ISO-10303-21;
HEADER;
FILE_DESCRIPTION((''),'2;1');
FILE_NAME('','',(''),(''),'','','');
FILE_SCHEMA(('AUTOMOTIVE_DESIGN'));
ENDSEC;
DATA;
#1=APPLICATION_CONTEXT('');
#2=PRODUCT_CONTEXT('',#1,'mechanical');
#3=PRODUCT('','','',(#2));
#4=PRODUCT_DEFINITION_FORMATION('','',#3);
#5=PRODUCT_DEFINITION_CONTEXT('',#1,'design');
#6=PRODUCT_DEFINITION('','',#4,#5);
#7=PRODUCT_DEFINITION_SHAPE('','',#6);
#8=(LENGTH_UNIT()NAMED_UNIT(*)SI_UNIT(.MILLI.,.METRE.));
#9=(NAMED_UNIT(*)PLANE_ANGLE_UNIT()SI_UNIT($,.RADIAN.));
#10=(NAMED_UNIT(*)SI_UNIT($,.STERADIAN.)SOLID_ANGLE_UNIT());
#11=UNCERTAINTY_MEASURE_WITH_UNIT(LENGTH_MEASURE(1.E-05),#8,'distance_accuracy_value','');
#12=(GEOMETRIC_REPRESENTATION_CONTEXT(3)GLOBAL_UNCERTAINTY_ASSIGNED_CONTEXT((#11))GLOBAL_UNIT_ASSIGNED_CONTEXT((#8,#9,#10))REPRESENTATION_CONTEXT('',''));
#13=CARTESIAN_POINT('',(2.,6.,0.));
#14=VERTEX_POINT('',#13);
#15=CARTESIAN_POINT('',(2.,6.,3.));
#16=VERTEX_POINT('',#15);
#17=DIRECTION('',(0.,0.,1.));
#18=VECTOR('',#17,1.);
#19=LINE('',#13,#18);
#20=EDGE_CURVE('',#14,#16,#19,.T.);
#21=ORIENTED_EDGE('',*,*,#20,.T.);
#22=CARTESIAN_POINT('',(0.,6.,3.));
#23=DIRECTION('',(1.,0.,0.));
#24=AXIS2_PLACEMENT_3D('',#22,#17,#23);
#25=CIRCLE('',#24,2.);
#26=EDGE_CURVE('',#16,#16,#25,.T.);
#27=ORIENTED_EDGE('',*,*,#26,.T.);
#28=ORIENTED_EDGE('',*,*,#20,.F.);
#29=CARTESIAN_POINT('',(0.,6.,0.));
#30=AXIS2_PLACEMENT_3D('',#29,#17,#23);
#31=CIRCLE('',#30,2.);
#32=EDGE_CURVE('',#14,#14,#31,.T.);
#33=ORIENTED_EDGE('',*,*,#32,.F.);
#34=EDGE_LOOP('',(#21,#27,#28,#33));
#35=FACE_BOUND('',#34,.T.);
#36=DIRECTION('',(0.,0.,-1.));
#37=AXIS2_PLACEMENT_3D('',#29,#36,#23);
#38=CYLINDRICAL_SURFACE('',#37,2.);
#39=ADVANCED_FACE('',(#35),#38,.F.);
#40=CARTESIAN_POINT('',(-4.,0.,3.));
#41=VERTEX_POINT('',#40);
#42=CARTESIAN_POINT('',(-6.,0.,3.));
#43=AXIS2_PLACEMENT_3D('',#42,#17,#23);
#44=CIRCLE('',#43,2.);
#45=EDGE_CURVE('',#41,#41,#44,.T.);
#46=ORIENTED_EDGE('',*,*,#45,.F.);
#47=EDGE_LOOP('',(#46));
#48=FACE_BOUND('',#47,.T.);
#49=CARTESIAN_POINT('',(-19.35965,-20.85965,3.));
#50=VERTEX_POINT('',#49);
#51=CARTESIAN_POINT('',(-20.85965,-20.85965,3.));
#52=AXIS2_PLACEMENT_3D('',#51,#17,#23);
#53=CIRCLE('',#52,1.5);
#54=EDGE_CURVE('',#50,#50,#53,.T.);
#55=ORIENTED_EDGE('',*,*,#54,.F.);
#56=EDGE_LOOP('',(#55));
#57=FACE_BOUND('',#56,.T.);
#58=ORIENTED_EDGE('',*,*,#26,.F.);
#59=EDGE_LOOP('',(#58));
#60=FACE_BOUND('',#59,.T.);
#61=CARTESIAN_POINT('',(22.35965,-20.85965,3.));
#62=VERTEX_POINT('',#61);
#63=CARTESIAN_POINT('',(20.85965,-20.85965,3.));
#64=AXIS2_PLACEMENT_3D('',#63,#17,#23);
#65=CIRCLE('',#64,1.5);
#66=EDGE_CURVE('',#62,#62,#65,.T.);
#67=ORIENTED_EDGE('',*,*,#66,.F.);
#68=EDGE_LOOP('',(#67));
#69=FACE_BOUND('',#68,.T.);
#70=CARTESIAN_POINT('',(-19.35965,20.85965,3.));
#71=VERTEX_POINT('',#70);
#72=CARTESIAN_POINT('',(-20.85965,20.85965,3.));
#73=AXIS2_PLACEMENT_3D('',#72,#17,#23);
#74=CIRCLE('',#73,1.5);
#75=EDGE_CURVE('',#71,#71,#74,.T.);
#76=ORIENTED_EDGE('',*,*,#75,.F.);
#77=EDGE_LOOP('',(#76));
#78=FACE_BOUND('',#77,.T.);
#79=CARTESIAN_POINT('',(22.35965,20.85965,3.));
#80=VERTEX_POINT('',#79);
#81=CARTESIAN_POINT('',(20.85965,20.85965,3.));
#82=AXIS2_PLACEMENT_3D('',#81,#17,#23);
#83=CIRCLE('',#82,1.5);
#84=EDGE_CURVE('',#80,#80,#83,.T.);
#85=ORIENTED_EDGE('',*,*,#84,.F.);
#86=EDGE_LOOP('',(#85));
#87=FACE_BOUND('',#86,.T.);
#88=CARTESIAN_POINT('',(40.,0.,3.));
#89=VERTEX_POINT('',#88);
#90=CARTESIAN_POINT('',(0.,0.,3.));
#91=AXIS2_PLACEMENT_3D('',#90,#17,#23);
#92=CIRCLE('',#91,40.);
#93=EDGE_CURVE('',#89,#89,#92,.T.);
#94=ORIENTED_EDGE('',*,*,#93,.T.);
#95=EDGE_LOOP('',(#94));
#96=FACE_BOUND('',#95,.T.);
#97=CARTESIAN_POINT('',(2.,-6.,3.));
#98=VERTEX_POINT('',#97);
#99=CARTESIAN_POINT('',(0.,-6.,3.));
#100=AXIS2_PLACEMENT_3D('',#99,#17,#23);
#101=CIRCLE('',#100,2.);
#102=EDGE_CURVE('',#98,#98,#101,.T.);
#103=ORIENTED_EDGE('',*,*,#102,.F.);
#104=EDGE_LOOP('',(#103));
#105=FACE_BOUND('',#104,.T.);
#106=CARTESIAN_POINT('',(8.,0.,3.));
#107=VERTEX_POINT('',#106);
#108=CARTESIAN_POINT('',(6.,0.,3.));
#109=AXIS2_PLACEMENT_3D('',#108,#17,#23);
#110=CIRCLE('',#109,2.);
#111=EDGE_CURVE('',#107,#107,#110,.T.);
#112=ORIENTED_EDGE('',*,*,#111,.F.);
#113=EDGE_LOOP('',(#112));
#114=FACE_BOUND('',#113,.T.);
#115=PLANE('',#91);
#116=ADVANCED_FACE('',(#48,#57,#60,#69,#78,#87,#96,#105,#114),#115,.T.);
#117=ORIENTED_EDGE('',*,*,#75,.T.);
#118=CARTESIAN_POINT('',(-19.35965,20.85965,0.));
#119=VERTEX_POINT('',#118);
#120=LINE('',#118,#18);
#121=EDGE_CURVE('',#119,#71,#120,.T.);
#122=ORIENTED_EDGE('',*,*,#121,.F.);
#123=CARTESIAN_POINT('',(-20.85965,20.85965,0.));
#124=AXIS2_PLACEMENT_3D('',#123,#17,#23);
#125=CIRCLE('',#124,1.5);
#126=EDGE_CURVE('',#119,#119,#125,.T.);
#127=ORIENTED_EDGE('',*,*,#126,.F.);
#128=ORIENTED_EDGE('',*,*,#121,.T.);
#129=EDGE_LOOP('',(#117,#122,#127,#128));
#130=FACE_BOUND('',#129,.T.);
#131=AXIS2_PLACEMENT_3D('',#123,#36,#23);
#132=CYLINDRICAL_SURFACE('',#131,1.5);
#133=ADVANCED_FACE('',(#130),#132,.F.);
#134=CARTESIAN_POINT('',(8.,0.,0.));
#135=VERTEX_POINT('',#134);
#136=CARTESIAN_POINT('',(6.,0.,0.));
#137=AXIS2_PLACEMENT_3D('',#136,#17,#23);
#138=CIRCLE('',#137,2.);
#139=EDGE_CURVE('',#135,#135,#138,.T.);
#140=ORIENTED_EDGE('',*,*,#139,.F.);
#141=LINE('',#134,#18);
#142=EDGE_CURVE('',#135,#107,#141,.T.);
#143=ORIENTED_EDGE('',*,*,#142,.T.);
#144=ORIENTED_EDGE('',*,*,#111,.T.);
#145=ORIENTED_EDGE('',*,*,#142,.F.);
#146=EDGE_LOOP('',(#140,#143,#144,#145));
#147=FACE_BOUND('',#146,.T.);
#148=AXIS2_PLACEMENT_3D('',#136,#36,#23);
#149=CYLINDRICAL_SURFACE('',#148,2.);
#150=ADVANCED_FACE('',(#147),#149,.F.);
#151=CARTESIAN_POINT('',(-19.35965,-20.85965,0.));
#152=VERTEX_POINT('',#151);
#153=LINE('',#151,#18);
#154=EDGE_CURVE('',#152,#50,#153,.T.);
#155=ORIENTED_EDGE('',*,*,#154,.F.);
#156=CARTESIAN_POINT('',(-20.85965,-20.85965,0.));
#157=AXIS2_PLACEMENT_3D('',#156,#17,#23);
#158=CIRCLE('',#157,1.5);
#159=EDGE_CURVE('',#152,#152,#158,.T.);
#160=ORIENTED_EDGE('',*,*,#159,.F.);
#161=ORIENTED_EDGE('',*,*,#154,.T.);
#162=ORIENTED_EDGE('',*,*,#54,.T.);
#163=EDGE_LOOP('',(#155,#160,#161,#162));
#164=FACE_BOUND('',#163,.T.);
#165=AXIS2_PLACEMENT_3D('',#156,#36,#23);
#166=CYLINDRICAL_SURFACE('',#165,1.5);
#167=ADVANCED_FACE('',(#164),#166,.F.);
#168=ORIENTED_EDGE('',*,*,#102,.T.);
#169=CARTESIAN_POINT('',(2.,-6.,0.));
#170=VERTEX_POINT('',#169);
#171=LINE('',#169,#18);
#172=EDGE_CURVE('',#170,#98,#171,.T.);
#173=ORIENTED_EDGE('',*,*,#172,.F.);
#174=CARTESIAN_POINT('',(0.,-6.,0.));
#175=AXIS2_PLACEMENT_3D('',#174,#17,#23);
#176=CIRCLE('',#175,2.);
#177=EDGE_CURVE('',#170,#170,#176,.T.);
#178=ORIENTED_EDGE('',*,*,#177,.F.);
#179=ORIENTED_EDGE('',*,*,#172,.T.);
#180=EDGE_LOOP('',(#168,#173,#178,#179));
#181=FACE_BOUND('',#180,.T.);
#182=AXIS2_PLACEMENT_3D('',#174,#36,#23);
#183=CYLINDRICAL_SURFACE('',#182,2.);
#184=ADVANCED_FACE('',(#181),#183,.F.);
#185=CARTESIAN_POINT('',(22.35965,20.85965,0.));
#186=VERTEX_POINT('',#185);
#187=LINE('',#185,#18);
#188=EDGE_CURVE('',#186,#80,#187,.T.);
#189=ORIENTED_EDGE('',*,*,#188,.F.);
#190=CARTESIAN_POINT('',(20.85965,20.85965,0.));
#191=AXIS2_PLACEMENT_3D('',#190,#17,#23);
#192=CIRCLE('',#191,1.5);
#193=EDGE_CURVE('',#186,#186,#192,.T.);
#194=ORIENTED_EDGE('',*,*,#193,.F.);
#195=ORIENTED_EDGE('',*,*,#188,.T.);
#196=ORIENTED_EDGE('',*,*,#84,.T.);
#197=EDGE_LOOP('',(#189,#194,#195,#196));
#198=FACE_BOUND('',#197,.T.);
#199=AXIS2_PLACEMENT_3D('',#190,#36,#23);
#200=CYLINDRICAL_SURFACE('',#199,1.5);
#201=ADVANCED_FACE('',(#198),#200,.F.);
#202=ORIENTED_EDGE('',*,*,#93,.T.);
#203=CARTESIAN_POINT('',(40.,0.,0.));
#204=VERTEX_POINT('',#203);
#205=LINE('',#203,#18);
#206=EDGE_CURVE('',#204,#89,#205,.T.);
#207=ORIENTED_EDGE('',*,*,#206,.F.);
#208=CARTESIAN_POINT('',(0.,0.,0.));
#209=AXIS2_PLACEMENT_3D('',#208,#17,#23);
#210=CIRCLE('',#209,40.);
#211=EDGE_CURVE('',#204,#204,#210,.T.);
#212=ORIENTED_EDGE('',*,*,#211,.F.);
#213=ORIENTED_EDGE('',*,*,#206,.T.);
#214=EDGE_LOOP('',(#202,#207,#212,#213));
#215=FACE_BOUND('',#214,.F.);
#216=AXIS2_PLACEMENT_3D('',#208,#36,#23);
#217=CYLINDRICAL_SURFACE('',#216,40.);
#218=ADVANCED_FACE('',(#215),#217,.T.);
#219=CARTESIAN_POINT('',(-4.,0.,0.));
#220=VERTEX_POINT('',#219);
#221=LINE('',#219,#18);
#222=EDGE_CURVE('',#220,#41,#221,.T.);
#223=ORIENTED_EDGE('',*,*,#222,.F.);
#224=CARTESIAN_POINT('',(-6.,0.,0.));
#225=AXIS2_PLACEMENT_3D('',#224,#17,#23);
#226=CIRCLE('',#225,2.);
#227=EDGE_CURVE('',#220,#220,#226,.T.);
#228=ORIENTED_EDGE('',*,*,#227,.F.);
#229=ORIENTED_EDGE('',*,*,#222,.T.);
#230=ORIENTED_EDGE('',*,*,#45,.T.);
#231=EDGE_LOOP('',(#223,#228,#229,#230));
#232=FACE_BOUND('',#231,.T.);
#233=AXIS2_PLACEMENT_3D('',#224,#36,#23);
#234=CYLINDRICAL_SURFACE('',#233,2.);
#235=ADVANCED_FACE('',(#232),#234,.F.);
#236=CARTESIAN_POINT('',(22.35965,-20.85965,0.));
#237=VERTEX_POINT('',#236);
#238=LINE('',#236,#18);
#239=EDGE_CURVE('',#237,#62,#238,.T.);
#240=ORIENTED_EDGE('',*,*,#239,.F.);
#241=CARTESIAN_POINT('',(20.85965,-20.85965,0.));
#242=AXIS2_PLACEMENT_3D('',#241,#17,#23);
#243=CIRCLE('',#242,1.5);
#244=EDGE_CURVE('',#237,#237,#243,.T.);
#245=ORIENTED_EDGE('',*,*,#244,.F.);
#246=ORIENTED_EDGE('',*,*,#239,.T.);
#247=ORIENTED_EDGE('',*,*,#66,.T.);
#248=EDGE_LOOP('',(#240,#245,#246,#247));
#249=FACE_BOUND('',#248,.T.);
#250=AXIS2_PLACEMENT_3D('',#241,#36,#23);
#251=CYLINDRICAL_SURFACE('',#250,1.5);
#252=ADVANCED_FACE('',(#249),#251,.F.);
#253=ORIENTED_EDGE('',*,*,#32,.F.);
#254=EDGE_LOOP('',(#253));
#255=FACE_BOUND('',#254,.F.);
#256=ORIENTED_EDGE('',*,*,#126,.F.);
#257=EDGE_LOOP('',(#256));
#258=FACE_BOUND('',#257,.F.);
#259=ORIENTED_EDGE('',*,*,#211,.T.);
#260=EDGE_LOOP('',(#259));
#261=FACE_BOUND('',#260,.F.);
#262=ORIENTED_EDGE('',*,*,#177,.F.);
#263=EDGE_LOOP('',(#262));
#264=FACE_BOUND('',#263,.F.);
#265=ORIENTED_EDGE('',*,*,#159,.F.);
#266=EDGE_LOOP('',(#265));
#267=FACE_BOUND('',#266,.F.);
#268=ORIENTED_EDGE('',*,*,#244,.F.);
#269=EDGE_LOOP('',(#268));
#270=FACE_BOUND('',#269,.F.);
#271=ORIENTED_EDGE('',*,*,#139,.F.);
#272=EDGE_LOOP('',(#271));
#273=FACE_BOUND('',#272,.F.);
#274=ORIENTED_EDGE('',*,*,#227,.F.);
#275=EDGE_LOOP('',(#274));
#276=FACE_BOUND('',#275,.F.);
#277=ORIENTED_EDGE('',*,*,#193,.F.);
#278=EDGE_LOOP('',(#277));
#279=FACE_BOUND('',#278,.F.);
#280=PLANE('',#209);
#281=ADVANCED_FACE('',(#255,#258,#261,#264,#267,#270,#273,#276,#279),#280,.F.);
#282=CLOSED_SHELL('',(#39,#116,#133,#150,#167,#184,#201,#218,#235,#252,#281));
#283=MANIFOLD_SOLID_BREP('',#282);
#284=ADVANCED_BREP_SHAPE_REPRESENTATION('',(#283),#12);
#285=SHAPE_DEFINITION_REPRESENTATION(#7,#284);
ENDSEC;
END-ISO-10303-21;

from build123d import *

# Parameters (mm, degrees)
F0_R     = 40
F0_R_2   = 1.5
F0_R_3   = 2
F1_DEPTH = 3


with BuildPart() as f1:
    # F0 (on Top) → F1 (new body)
    with BuildSketch(Plane.XY):
        Circle(F0_R)
        with Locations((-20.85965, -20.85965)):
            Circle(F0_R_2, mode=Mode.SUBTRACT)
        with Locations((20.85965, -20.85965)):
            Circle(F0_R_2, mode=Mode.SUBTRACT)
        with Locations((0, -6)):
            Circle(F0_R_3, mode=Mode.SUBTRACT)
        with Locations((-6, 0)):
            Circle(F0_R_3, mode=Mode.SUBTRACT)
        with Locations((-20.85965, 20.85965)):
            Circle(F0_R_2, mode=Mode.SUBTRACT)
        with Locations((6, 0)):
            Circle(F0_R_3, mode=Mode.SUBTRACT)
        with Locations((0, 6)):
            Circle(F0_R_3, mode=Mode.SUBTRACT)
        with Locations((20.85965, 20.85965)):
            Circle(F0_R_2, mode=Mode.SUBTRACT)
    extrude(amount=F1_DEPTH)


solid = f1.part
